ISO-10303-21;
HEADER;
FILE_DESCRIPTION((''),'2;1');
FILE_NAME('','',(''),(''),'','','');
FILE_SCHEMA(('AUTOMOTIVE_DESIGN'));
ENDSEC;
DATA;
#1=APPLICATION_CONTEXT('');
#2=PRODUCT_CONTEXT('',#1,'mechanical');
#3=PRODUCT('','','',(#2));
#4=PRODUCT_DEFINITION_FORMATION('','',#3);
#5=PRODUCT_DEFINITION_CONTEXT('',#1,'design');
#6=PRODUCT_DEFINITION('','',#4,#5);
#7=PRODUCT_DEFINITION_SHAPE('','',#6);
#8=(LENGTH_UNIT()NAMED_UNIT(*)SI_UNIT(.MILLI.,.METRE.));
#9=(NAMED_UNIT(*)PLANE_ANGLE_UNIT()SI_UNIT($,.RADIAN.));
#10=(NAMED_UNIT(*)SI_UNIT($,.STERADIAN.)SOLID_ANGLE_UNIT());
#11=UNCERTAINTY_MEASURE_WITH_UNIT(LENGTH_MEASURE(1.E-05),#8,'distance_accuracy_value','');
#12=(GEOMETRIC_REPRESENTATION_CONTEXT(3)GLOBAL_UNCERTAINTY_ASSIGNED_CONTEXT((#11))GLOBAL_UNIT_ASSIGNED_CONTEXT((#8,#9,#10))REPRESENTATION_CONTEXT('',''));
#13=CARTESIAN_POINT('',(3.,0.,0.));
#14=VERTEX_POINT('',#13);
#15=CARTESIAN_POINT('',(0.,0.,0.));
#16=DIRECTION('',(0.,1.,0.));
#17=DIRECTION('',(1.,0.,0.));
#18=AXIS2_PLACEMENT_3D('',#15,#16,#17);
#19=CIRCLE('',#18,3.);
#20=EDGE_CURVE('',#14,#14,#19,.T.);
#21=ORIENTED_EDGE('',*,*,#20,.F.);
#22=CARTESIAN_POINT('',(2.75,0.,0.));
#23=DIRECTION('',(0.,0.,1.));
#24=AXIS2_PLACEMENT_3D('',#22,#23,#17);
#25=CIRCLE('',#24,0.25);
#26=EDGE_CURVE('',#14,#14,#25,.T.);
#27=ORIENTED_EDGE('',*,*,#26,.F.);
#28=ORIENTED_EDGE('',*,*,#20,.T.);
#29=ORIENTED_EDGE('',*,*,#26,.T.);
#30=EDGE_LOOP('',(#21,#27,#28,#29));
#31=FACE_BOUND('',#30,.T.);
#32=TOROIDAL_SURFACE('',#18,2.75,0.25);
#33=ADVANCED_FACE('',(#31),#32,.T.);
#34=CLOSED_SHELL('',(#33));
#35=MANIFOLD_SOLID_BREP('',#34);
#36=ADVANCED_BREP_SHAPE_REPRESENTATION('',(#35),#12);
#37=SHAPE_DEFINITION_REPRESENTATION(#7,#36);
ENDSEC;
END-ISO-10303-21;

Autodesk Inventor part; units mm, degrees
ref_plane "YZ Plane" through (0, 0, 0) normal (1, 0, 0) x (0, 1, 0)
ref_plane "XZ Plane" through (0, 0, 0) normal (0, 1, 0) x (-1, 0, 0)
ref_plane "XY Plane" through (0, 0, 0) normal (0, 0, 1) x (1, 0, 0)
sketch "Sketch1" plane through (0, 0, 0) normal (0, 0, 1) x (1, 0, 0)
  line L0 (0, -2.7385) -> (0, 2.8771)
  line L1 (0, 0) -> (2.75, 0) construction
  circle A0 centre (2.75, 0) radius 0.25
  dimension "d11" = 0.5
  dimension "d12" = 2.75
revolve "Revolution1" add sketch "Sketch1" angle 360 about axis through (0, -2.7385, 0) along (0, 1, 0)
properties part number "o_ring_4.29_0.5XXX"
